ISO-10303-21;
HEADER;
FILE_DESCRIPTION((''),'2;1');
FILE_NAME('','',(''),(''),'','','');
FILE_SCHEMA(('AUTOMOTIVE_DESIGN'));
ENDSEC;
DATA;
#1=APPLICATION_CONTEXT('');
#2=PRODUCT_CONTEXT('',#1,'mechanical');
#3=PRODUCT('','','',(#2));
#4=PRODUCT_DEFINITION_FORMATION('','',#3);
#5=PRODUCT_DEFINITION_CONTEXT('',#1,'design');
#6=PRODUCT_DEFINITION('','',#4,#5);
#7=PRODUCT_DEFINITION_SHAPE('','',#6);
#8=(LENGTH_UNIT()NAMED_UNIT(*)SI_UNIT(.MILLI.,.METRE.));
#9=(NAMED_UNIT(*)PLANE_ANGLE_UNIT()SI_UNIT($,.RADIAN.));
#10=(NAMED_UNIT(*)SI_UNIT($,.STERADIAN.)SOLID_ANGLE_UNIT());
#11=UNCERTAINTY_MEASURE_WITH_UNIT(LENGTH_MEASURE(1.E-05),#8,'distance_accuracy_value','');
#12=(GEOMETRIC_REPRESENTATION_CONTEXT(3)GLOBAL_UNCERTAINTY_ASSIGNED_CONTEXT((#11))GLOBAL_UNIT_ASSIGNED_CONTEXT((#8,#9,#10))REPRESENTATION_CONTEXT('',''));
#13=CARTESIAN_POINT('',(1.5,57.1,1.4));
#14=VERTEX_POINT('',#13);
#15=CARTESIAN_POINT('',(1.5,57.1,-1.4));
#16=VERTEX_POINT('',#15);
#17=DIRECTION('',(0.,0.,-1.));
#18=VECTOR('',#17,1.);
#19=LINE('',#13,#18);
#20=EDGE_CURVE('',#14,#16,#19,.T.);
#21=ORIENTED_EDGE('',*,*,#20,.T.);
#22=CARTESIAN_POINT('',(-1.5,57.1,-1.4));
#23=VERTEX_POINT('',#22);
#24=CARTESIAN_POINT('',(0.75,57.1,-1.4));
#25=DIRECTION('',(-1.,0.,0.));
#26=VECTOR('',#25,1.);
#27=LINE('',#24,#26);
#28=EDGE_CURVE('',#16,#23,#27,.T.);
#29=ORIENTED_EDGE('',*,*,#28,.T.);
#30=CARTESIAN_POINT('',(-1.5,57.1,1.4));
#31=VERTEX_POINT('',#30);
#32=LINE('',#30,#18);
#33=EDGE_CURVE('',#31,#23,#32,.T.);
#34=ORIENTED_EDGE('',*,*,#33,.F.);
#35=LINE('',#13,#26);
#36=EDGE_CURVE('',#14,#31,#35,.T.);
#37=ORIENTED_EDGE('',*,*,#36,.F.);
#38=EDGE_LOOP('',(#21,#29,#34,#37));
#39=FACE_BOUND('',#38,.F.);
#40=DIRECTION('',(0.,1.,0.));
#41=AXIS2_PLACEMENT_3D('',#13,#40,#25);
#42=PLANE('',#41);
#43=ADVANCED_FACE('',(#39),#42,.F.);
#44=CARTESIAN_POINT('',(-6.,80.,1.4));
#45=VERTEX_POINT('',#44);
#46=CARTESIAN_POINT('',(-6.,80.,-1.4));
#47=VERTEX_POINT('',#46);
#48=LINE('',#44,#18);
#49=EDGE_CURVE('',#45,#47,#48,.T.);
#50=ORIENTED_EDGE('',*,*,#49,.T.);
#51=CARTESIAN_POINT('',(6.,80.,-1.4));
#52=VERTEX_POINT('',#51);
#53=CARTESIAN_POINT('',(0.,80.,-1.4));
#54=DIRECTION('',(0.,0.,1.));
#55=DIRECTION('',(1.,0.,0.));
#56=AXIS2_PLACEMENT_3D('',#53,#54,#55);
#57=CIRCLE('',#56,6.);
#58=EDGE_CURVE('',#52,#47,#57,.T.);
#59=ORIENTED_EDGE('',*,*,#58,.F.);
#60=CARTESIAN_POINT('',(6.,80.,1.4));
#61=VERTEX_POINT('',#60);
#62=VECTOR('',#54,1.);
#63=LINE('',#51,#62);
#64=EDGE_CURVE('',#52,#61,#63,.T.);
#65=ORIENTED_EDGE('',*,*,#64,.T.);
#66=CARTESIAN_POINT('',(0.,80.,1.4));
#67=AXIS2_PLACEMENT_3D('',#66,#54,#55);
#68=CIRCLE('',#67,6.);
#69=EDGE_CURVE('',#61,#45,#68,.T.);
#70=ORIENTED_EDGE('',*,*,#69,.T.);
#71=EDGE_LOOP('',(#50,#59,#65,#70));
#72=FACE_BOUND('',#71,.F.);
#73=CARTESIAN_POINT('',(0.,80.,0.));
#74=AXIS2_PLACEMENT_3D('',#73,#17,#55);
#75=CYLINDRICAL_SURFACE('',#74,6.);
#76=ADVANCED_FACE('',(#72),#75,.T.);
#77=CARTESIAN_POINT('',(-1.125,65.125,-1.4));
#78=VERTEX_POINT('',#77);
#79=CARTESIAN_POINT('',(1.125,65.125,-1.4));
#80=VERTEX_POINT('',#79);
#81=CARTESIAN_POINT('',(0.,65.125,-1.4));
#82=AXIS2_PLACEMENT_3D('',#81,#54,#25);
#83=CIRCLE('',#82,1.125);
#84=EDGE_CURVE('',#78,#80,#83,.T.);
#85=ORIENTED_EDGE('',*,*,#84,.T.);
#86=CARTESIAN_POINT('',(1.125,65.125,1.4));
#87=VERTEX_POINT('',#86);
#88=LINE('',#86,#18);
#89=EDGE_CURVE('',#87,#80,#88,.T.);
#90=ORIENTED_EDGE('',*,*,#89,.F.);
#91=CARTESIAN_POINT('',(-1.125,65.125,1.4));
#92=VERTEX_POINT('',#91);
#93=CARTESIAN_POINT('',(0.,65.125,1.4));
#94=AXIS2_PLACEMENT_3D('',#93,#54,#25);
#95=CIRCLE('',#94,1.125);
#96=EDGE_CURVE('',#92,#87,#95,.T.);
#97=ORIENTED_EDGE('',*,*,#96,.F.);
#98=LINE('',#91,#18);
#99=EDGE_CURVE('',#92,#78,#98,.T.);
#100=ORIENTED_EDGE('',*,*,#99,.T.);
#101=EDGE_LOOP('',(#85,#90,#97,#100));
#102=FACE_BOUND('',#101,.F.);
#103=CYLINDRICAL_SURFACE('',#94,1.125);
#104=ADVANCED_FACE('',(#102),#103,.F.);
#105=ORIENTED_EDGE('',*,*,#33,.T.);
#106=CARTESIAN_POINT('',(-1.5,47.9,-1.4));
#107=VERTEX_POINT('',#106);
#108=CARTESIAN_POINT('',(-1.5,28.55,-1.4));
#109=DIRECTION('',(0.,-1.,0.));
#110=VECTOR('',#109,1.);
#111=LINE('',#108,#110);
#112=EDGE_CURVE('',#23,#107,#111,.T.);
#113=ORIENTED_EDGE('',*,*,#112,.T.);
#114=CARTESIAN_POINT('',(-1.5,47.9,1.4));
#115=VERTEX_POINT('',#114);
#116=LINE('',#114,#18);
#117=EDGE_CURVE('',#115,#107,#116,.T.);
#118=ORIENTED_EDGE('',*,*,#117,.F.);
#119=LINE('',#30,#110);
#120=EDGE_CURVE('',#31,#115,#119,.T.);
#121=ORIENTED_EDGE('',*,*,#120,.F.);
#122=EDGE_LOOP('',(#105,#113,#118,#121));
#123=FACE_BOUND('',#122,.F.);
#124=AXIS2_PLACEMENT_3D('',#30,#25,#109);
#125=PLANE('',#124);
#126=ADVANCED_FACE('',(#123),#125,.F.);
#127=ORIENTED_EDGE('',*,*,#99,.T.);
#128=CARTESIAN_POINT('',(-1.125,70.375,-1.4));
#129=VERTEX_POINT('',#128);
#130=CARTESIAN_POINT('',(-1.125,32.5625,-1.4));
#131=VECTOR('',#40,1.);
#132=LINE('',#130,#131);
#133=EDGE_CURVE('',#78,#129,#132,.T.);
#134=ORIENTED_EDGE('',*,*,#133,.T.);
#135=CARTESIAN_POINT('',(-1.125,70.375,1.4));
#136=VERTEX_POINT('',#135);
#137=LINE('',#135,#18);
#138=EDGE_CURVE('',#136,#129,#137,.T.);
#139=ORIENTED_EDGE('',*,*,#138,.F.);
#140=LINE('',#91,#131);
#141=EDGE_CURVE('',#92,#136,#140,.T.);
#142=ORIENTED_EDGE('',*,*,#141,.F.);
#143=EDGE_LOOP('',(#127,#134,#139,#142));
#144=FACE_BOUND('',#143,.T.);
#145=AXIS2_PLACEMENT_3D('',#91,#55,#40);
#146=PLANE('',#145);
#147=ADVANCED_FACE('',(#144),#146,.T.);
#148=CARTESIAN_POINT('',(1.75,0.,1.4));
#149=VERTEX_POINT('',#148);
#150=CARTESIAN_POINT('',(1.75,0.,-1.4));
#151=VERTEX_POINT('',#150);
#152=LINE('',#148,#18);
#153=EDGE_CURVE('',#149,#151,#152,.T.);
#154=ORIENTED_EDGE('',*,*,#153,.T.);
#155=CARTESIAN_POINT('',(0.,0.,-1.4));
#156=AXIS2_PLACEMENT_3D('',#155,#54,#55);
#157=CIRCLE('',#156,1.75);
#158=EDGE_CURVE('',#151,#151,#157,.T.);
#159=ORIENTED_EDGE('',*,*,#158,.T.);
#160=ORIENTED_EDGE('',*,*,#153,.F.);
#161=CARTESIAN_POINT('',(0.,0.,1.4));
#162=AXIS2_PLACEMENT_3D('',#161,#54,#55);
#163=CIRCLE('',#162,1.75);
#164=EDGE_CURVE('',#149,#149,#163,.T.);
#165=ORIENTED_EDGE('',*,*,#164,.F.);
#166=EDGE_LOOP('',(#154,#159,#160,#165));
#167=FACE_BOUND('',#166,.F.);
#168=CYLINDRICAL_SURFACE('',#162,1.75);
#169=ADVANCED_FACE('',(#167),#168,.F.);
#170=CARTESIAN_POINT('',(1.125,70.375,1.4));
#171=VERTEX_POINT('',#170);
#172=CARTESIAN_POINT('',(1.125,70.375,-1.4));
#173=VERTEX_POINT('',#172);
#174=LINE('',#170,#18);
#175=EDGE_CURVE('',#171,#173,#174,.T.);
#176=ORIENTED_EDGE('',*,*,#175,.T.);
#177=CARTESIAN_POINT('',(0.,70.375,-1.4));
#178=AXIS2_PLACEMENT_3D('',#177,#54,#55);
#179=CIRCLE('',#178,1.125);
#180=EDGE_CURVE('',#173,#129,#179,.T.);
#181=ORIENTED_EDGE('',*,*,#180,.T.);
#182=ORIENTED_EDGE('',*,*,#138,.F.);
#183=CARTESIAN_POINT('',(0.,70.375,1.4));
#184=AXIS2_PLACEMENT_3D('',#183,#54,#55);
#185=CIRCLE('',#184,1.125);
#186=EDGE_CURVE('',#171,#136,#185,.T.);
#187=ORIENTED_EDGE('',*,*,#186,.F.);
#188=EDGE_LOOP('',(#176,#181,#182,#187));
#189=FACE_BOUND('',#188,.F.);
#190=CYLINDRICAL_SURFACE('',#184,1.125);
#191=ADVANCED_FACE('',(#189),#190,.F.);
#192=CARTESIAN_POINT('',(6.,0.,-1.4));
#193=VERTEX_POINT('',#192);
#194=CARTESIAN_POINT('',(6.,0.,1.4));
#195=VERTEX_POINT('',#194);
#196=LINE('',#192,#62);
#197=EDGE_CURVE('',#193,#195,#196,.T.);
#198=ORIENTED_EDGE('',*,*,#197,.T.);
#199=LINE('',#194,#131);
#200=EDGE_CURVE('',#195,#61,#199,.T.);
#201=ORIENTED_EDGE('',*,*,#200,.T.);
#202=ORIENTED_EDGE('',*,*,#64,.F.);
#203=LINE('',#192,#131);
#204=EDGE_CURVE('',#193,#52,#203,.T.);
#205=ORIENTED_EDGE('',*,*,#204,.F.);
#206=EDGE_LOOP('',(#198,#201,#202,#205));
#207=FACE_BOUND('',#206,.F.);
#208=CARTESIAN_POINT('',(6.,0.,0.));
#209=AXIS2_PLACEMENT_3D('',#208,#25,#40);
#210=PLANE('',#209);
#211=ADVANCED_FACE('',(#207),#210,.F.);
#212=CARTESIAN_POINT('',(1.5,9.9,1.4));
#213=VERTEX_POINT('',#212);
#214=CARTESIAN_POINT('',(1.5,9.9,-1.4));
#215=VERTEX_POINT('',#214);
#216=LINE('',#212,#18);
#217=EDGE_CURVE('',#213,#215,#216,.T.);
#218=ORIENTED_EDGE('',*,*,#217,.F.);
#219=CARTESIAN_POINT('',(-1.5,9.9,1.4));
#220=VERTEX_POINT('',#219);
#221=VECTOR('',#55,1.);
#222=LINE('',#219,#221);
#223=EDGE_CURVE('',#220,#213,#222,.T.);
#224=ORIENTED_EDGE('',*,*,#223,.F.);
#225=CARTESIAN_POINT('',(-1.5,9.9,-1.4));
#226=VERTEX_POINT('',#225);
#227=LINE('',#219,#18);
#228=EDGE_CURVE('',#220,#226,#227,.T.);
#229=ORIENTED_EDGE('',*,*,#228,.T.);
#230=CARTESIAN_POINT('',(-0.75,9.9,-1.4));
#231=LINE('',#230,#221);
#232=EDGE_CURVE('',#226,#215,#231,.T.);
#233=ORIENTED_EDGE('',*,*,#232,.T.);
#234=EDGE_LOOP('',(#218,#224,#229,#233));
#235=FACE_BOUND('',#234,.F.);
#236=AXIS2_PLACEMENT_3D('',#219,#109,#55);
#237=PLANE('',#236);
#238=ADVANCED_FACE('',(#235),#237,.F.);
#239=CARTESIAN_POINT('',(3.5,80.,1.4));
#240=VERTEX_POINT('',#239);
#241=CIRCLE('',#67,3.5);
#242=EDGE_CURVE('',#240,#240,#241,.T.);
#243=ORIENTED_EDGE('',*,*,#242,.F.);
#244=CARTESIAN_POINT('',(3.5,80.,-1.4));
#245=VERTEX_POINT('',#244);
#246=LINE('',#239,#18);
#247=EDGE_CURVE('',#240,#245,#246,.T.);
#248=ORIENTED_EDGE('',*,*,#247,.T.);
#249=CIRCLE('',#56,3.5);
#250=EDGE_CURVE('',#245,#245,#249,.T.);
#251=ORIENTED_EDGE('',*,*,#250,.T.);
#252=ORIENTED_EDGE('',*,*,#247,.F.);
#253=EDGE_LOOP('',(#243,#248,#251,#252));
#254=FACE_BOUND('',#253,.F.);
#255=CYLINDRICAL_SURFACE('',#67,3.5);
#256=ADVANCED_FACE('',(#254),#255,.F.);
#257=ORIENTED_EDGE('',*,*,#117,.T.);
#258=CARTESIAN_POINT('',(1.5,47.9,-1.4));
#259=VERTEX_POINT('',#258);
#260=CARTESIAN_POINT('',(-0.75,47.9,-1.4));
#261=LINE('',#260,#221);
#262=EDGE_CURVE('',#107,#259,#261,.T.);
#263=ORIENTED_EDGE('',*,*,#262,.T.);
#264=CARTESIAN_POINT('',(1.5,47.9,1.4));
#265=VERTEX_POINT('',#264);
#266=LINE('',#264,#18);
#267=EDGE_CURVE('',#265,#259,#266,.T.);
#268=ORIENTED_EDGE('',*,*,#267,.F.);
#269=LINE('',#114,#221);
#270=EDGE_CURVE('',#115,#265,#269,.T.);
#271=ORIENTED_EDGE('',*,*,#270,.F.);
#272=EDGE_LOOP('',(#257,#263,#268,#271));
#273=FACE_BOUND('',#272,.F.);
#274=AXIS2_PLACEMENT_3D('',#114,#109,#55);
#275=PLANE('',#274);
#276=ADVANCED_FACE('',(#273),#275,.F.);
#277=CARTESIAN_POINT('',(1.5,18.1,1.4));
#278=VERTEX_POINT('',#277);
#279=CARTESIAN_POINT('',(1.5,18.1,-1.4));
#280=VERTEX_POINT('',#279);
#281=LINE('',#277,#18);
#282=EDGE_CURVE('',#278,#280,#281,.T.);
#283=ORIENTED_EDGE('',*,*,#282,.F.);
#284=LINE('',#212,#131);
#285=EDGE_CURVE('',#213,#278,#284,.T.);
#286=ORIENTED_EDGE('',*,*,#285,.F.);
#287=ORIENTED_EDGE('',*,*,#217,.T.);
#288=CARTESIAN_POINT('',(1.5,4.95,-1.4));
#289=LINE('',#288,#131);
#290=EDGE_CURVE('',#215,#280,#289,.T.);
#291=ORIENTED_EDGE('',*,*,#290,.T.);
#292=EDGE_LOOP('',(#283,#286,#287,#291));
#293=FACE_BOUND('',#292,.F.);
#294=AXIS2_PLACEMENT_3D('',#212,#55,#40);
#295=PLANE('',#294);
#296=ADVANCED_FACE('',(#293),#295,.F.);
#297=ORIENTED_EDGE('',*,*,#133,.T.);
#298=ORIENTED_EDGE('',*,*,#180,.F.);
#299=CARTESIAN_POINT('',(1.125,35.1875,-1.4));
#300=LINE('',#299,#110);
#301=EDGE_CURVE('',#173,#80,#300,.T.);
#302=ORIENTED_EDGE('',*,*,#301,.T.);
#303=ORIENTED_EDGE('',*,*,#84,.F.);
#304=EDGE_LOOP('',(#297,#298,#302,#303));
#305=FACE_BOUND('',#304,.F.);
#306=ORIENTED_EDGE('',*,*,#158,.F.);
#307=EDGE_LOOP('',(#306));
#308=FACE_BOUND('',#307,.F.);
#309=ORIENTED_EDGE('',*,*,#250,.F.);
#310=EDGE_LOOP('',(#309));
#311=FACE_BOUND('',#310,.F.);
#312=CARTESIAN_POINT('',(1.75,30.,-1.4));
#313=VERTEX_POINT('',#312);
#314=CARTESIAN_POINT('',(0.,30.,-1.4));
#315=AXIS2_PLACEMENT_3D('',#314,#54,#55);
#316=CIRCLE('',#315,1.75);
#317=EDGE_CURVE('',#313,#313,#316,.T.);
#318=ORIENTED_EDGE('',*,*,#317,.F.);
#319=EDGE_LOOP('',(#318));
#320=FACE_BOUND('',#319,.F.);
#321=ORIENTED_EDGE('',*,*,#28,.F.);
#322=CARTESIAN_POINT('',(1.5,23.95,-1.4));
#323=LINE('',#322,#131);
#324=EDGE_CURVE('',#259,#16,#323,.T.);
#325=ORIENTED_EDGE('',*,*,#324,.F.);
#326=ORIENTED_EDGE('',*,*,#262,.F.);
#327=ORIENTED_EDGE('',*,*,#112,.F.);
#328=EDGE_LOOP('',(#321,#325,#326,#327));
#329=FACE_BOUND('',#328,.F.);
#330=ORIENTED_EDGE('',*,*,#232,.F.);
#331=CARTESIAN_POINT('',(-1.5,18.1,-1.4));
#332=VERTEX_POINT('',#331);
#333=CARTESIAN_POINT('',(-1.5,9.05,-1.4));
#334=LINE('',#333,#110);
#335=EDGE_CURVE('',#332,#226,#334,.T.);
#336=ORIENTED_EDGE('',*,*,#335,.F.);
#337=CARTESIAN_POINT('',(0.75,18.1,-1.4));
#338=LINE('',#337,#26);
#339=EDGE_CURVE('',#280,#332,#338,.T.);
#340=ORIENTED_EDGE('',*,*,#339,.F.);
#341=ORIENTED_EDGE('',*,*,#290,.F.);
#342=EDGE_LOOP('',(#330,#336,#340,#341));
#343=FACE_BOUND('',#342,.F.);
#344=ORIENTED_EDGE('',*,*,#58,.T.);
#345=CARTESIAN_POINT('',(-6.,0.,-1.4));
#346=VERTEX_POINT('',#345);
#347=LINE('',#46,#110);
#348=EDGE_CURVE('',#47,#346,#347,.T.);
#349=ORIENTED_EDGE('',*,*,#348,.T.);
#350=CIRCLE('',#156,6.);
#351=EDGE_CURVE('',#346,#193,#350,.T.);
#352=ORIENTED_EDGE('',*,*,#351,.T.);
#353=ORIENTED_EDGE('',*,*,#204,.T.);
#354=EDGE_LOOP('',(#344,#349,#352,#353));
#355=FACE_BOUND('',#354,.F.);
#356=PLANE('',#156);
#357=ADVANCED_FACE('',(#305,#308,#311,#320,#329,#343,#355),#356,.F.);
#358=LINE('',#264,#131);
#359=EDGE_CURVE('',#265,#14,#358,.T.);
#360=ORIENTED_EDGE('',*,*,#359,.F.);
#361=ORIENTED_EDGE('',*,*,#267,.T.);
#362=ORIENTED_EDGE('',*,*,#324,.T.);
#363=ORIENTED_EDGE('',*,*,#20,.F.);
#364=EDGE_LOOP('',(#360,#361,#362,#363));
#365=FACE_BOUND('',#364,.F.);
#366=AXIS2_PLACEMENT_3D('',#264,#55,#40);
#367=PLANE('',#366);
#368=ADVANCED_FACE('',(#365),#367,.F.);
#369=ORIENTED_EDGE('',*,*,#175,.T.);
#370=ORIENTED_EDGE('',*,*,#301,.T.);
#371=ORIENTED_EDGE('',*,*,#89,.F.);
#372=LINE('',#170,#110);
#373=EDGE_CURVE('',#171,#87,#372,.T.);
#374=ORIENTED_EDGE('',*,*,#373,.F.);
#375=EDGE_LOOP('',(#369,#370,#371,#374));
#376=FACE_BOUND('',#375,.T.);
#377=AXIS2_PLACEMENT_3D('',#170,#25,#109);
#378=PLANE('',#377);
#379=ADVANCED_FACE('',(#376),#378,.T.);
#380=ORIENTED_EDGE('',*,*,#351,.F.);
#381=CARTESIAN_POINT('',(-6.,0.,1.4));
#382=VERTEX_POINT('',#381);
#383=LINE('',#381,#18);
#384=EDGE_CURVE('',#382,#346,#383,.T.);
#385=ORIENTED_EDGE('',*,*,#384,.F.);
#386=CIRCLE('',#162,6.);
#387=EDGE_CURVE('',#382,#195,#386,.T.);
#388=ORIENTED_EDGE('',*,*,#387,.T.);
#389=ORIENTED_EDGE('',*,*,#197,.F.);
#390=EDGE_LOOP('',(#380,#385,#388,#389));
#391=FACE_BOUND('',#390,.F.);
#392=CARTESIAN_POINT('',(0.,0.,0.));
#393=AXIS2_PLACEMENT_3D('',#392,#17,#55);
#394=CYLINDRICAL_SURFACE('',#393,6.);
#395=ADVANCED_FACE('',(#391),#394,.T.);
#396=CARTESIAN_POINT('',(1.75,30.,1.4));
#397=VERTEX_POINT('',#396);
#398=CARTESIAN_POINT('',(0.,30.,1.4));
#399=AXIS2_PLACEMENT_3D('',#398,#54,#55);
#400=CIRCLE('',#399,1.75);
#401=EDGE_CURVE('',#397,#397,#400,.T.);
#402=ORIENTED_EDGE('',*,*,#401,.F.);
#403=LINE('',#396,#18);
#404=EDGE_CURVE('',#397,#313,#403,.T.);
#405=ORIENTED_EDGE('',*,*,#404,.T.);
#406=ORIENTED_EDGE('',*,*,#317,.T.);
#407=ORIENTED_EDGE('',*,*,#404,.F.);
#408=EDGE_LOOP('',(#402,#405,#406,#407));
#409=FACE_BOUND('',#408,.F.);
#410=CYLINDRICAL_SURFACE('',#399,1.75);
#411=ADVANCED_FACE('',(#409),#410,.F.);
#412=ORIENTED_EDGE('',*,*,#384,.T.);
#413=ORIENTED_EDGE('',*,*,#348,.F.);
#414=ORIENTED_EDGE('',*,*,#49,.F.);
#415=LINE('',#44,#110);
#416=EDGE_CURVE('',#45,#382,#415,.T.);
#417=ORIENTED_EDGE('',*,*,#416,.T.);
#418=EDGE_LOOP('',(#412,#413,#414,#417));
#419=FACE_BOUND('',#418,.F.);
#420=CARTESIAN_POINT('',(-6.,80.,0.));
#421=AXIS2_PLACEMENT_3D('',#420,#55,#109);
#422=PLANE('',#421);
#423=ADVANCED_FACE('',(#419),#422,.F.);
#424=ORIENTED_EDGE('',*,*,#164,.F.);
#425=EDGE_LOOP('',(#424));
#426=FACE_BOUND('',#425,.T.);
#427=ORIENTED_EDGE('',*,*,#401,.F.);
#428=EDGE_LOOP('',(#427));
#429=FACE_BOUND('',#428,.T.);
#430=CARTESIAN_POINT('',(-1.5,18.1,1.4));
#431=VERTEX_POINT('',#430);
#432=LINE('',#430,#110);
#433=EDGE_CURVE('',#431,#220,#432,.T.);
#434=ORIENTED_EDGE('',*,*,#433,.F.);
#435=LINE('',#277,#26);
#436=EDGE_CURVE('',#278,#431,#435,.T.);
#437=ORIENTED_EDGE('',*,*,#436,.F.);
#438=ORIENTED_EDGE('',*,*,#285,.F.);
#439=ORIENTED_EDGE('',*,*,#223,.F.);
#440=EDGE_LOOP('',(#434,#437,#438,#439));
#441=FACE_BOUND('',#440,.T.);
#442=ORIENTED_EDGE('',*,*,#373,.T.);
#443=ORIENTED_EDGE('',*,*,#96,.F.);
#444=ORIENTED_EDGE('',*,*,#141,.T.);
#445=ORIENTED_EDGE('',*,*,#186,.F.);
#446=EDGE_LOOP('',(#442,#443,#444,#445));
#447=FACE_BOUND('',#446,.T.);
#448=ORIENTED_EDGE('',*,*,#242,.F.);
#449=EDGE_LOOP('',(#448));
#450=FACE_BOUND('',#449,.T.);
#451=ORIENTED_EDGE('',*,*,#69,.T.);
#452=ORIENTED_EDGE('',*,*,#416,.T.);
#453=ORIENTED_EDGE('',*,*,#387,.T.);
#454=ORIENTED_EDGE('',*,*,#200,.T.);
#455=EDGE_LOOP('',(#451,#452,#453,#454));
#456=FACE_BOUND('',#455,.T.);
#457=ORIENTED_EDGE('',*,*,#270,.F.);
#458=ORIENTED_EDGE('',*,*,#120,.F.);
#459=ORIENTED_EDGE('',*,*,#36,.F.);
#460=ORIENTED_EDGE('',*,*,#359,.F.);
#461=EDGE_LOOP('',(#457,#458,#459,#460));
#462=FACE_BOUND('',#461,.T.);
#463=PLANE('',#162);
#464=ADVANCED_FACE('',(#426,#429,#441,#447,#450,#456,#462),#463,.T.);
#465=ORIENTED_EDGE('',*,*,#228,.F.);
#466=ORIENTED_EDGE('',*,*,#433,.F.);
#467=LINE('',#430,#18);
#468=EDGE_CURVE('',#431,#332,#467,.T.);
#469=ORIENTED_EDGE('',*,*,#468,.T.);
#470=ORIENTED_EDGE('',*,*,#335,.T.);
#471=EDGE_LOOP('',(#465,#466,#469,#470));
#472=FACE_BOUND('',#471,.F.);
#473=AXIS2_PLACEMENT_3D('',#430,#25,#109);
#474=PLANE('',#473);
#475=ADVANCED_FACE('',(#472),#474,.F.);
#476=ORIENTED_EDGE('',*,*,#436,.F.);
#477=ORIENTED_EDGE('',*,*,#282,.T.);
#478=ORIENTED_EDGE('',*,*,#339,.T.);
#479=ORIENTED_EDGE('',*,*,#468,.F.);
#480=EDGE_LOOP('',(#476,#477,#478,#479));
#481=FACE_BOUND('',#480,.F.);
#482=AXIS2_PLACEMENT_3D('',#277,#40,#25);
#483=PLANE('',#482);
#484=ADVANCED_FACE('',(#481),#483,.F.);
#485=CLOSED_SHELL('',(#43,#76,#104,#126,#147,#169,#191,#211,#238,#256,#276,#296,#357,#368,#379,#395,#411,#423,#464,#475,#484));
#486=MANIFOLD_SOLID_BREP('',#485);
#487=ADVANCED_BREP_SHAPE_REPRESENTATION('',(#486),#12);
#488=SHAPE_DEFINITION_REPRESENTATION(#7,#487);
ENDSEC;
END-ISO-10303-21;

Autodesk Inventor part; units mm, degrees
ref_plane "YZ Plane" through (0, 0, 0) normal (1, 0, 0) x (0, 1, 0)
ref_plane "XZ Plane" through (0, 0, 0) normal (0, 1, 0) x (-1, 0, 0)
ref_plane "XY Plane" through (0, 0, 0) normal (0, 0, 1) x (1, 0, 0)
sketch "Sketch1" plane through (0, 0, 0) normal (0, 0, 1) x (1, 0, 0)
  circle A0 centre (0, 0) radius 6
  line L0 (0, 0) -> (0, 80) construction
  line L1 (6, 0) -> (6, 80)
  line L2 (-6, 80) -> (-6, 0)
  arc A1 (-6, 0) -> (6, 0) centre (0, 0) ccw
  arc A2 (6, 80) -> (-6, 80) centre (0, 80) ccw
  point P0 (0, 40)
  dimension "d0" = 12
  dimension "d1" = 12
  dimension "d2" = 80
extrude "Extrusion1" add sketch "Sketch1" along normal mid plane 2.8
sketch "Sketch2" plane through (0, 0, 1.4) normal (0, 0, 1) x (1, 0, 0)
  arc A0 (6, 80) -> (-6, 80) centre (0, 80) ccw construction
  arc A1 (-6, 0) -> (6, 0) centre (0, 0) ccw construction
  circle A2 centre (0, 0) radius 1.75
  circle A3 centre (0, 80) radius 3.5
  line L0 (-1.5, 47.9) -> (1.5, 47.9)
  line L1 (1.5, 47.9) -> (1.5, 57.1)
  line L2 (1.5, 57.1) -> (-1.5, 57.1)
  line L3 (-1.5, 57.1) -> (-1.5, 47.9)
  circle A4 centre (0, 30) radius 1.75
  line L4 (-1.5, 9.9) -> (1.5, 9.9)
  line L5 (1.5, 9.9) -> (1.5, 18.1)
  line L6 (1.5, 18.1) -> (-1.5, 18.1)
  line L7 (-1.5, 18.1) -> (-1.5, 9.9)
  line L8 (0, 64) -> (0, 71.5) construction
  line L9 (-1.125, 65.125) -> (-1.125, 70.375)
  line L10 (1.125, 70.375) -> (1.125, 65.125)
  arc A5 (-1.125, 65.125) -> (1.125, 65.125) centre (0, 65.125) ccw
  arc A6 (1.125, 70.375) -> (-1.125, 70.375) centre (0, 70.375) ccw
  point P0 (0, 9.9)
  point P1 (0, 47.9)
  point P2 (0, 67.75)
  point P3 (-1.5, 52.5)
  point P4 (-1.5, 14)
  dimension "d8" = 7
  dimension "d9" = 3.5
  dimension "d12" = 3
  dimension "d13" = 8.2
  dimension "d16" = 9.2
  dimension "d19" = 8.5
  dimension "d20" = 2.25
  dimension "d21" = 7.5
  dimension "d22" = 30
  dimension "d23" = 27.5
  dimension "d24" = 14
extrude "Extrusion2" cut sketch "Sketch2" against normal through all
